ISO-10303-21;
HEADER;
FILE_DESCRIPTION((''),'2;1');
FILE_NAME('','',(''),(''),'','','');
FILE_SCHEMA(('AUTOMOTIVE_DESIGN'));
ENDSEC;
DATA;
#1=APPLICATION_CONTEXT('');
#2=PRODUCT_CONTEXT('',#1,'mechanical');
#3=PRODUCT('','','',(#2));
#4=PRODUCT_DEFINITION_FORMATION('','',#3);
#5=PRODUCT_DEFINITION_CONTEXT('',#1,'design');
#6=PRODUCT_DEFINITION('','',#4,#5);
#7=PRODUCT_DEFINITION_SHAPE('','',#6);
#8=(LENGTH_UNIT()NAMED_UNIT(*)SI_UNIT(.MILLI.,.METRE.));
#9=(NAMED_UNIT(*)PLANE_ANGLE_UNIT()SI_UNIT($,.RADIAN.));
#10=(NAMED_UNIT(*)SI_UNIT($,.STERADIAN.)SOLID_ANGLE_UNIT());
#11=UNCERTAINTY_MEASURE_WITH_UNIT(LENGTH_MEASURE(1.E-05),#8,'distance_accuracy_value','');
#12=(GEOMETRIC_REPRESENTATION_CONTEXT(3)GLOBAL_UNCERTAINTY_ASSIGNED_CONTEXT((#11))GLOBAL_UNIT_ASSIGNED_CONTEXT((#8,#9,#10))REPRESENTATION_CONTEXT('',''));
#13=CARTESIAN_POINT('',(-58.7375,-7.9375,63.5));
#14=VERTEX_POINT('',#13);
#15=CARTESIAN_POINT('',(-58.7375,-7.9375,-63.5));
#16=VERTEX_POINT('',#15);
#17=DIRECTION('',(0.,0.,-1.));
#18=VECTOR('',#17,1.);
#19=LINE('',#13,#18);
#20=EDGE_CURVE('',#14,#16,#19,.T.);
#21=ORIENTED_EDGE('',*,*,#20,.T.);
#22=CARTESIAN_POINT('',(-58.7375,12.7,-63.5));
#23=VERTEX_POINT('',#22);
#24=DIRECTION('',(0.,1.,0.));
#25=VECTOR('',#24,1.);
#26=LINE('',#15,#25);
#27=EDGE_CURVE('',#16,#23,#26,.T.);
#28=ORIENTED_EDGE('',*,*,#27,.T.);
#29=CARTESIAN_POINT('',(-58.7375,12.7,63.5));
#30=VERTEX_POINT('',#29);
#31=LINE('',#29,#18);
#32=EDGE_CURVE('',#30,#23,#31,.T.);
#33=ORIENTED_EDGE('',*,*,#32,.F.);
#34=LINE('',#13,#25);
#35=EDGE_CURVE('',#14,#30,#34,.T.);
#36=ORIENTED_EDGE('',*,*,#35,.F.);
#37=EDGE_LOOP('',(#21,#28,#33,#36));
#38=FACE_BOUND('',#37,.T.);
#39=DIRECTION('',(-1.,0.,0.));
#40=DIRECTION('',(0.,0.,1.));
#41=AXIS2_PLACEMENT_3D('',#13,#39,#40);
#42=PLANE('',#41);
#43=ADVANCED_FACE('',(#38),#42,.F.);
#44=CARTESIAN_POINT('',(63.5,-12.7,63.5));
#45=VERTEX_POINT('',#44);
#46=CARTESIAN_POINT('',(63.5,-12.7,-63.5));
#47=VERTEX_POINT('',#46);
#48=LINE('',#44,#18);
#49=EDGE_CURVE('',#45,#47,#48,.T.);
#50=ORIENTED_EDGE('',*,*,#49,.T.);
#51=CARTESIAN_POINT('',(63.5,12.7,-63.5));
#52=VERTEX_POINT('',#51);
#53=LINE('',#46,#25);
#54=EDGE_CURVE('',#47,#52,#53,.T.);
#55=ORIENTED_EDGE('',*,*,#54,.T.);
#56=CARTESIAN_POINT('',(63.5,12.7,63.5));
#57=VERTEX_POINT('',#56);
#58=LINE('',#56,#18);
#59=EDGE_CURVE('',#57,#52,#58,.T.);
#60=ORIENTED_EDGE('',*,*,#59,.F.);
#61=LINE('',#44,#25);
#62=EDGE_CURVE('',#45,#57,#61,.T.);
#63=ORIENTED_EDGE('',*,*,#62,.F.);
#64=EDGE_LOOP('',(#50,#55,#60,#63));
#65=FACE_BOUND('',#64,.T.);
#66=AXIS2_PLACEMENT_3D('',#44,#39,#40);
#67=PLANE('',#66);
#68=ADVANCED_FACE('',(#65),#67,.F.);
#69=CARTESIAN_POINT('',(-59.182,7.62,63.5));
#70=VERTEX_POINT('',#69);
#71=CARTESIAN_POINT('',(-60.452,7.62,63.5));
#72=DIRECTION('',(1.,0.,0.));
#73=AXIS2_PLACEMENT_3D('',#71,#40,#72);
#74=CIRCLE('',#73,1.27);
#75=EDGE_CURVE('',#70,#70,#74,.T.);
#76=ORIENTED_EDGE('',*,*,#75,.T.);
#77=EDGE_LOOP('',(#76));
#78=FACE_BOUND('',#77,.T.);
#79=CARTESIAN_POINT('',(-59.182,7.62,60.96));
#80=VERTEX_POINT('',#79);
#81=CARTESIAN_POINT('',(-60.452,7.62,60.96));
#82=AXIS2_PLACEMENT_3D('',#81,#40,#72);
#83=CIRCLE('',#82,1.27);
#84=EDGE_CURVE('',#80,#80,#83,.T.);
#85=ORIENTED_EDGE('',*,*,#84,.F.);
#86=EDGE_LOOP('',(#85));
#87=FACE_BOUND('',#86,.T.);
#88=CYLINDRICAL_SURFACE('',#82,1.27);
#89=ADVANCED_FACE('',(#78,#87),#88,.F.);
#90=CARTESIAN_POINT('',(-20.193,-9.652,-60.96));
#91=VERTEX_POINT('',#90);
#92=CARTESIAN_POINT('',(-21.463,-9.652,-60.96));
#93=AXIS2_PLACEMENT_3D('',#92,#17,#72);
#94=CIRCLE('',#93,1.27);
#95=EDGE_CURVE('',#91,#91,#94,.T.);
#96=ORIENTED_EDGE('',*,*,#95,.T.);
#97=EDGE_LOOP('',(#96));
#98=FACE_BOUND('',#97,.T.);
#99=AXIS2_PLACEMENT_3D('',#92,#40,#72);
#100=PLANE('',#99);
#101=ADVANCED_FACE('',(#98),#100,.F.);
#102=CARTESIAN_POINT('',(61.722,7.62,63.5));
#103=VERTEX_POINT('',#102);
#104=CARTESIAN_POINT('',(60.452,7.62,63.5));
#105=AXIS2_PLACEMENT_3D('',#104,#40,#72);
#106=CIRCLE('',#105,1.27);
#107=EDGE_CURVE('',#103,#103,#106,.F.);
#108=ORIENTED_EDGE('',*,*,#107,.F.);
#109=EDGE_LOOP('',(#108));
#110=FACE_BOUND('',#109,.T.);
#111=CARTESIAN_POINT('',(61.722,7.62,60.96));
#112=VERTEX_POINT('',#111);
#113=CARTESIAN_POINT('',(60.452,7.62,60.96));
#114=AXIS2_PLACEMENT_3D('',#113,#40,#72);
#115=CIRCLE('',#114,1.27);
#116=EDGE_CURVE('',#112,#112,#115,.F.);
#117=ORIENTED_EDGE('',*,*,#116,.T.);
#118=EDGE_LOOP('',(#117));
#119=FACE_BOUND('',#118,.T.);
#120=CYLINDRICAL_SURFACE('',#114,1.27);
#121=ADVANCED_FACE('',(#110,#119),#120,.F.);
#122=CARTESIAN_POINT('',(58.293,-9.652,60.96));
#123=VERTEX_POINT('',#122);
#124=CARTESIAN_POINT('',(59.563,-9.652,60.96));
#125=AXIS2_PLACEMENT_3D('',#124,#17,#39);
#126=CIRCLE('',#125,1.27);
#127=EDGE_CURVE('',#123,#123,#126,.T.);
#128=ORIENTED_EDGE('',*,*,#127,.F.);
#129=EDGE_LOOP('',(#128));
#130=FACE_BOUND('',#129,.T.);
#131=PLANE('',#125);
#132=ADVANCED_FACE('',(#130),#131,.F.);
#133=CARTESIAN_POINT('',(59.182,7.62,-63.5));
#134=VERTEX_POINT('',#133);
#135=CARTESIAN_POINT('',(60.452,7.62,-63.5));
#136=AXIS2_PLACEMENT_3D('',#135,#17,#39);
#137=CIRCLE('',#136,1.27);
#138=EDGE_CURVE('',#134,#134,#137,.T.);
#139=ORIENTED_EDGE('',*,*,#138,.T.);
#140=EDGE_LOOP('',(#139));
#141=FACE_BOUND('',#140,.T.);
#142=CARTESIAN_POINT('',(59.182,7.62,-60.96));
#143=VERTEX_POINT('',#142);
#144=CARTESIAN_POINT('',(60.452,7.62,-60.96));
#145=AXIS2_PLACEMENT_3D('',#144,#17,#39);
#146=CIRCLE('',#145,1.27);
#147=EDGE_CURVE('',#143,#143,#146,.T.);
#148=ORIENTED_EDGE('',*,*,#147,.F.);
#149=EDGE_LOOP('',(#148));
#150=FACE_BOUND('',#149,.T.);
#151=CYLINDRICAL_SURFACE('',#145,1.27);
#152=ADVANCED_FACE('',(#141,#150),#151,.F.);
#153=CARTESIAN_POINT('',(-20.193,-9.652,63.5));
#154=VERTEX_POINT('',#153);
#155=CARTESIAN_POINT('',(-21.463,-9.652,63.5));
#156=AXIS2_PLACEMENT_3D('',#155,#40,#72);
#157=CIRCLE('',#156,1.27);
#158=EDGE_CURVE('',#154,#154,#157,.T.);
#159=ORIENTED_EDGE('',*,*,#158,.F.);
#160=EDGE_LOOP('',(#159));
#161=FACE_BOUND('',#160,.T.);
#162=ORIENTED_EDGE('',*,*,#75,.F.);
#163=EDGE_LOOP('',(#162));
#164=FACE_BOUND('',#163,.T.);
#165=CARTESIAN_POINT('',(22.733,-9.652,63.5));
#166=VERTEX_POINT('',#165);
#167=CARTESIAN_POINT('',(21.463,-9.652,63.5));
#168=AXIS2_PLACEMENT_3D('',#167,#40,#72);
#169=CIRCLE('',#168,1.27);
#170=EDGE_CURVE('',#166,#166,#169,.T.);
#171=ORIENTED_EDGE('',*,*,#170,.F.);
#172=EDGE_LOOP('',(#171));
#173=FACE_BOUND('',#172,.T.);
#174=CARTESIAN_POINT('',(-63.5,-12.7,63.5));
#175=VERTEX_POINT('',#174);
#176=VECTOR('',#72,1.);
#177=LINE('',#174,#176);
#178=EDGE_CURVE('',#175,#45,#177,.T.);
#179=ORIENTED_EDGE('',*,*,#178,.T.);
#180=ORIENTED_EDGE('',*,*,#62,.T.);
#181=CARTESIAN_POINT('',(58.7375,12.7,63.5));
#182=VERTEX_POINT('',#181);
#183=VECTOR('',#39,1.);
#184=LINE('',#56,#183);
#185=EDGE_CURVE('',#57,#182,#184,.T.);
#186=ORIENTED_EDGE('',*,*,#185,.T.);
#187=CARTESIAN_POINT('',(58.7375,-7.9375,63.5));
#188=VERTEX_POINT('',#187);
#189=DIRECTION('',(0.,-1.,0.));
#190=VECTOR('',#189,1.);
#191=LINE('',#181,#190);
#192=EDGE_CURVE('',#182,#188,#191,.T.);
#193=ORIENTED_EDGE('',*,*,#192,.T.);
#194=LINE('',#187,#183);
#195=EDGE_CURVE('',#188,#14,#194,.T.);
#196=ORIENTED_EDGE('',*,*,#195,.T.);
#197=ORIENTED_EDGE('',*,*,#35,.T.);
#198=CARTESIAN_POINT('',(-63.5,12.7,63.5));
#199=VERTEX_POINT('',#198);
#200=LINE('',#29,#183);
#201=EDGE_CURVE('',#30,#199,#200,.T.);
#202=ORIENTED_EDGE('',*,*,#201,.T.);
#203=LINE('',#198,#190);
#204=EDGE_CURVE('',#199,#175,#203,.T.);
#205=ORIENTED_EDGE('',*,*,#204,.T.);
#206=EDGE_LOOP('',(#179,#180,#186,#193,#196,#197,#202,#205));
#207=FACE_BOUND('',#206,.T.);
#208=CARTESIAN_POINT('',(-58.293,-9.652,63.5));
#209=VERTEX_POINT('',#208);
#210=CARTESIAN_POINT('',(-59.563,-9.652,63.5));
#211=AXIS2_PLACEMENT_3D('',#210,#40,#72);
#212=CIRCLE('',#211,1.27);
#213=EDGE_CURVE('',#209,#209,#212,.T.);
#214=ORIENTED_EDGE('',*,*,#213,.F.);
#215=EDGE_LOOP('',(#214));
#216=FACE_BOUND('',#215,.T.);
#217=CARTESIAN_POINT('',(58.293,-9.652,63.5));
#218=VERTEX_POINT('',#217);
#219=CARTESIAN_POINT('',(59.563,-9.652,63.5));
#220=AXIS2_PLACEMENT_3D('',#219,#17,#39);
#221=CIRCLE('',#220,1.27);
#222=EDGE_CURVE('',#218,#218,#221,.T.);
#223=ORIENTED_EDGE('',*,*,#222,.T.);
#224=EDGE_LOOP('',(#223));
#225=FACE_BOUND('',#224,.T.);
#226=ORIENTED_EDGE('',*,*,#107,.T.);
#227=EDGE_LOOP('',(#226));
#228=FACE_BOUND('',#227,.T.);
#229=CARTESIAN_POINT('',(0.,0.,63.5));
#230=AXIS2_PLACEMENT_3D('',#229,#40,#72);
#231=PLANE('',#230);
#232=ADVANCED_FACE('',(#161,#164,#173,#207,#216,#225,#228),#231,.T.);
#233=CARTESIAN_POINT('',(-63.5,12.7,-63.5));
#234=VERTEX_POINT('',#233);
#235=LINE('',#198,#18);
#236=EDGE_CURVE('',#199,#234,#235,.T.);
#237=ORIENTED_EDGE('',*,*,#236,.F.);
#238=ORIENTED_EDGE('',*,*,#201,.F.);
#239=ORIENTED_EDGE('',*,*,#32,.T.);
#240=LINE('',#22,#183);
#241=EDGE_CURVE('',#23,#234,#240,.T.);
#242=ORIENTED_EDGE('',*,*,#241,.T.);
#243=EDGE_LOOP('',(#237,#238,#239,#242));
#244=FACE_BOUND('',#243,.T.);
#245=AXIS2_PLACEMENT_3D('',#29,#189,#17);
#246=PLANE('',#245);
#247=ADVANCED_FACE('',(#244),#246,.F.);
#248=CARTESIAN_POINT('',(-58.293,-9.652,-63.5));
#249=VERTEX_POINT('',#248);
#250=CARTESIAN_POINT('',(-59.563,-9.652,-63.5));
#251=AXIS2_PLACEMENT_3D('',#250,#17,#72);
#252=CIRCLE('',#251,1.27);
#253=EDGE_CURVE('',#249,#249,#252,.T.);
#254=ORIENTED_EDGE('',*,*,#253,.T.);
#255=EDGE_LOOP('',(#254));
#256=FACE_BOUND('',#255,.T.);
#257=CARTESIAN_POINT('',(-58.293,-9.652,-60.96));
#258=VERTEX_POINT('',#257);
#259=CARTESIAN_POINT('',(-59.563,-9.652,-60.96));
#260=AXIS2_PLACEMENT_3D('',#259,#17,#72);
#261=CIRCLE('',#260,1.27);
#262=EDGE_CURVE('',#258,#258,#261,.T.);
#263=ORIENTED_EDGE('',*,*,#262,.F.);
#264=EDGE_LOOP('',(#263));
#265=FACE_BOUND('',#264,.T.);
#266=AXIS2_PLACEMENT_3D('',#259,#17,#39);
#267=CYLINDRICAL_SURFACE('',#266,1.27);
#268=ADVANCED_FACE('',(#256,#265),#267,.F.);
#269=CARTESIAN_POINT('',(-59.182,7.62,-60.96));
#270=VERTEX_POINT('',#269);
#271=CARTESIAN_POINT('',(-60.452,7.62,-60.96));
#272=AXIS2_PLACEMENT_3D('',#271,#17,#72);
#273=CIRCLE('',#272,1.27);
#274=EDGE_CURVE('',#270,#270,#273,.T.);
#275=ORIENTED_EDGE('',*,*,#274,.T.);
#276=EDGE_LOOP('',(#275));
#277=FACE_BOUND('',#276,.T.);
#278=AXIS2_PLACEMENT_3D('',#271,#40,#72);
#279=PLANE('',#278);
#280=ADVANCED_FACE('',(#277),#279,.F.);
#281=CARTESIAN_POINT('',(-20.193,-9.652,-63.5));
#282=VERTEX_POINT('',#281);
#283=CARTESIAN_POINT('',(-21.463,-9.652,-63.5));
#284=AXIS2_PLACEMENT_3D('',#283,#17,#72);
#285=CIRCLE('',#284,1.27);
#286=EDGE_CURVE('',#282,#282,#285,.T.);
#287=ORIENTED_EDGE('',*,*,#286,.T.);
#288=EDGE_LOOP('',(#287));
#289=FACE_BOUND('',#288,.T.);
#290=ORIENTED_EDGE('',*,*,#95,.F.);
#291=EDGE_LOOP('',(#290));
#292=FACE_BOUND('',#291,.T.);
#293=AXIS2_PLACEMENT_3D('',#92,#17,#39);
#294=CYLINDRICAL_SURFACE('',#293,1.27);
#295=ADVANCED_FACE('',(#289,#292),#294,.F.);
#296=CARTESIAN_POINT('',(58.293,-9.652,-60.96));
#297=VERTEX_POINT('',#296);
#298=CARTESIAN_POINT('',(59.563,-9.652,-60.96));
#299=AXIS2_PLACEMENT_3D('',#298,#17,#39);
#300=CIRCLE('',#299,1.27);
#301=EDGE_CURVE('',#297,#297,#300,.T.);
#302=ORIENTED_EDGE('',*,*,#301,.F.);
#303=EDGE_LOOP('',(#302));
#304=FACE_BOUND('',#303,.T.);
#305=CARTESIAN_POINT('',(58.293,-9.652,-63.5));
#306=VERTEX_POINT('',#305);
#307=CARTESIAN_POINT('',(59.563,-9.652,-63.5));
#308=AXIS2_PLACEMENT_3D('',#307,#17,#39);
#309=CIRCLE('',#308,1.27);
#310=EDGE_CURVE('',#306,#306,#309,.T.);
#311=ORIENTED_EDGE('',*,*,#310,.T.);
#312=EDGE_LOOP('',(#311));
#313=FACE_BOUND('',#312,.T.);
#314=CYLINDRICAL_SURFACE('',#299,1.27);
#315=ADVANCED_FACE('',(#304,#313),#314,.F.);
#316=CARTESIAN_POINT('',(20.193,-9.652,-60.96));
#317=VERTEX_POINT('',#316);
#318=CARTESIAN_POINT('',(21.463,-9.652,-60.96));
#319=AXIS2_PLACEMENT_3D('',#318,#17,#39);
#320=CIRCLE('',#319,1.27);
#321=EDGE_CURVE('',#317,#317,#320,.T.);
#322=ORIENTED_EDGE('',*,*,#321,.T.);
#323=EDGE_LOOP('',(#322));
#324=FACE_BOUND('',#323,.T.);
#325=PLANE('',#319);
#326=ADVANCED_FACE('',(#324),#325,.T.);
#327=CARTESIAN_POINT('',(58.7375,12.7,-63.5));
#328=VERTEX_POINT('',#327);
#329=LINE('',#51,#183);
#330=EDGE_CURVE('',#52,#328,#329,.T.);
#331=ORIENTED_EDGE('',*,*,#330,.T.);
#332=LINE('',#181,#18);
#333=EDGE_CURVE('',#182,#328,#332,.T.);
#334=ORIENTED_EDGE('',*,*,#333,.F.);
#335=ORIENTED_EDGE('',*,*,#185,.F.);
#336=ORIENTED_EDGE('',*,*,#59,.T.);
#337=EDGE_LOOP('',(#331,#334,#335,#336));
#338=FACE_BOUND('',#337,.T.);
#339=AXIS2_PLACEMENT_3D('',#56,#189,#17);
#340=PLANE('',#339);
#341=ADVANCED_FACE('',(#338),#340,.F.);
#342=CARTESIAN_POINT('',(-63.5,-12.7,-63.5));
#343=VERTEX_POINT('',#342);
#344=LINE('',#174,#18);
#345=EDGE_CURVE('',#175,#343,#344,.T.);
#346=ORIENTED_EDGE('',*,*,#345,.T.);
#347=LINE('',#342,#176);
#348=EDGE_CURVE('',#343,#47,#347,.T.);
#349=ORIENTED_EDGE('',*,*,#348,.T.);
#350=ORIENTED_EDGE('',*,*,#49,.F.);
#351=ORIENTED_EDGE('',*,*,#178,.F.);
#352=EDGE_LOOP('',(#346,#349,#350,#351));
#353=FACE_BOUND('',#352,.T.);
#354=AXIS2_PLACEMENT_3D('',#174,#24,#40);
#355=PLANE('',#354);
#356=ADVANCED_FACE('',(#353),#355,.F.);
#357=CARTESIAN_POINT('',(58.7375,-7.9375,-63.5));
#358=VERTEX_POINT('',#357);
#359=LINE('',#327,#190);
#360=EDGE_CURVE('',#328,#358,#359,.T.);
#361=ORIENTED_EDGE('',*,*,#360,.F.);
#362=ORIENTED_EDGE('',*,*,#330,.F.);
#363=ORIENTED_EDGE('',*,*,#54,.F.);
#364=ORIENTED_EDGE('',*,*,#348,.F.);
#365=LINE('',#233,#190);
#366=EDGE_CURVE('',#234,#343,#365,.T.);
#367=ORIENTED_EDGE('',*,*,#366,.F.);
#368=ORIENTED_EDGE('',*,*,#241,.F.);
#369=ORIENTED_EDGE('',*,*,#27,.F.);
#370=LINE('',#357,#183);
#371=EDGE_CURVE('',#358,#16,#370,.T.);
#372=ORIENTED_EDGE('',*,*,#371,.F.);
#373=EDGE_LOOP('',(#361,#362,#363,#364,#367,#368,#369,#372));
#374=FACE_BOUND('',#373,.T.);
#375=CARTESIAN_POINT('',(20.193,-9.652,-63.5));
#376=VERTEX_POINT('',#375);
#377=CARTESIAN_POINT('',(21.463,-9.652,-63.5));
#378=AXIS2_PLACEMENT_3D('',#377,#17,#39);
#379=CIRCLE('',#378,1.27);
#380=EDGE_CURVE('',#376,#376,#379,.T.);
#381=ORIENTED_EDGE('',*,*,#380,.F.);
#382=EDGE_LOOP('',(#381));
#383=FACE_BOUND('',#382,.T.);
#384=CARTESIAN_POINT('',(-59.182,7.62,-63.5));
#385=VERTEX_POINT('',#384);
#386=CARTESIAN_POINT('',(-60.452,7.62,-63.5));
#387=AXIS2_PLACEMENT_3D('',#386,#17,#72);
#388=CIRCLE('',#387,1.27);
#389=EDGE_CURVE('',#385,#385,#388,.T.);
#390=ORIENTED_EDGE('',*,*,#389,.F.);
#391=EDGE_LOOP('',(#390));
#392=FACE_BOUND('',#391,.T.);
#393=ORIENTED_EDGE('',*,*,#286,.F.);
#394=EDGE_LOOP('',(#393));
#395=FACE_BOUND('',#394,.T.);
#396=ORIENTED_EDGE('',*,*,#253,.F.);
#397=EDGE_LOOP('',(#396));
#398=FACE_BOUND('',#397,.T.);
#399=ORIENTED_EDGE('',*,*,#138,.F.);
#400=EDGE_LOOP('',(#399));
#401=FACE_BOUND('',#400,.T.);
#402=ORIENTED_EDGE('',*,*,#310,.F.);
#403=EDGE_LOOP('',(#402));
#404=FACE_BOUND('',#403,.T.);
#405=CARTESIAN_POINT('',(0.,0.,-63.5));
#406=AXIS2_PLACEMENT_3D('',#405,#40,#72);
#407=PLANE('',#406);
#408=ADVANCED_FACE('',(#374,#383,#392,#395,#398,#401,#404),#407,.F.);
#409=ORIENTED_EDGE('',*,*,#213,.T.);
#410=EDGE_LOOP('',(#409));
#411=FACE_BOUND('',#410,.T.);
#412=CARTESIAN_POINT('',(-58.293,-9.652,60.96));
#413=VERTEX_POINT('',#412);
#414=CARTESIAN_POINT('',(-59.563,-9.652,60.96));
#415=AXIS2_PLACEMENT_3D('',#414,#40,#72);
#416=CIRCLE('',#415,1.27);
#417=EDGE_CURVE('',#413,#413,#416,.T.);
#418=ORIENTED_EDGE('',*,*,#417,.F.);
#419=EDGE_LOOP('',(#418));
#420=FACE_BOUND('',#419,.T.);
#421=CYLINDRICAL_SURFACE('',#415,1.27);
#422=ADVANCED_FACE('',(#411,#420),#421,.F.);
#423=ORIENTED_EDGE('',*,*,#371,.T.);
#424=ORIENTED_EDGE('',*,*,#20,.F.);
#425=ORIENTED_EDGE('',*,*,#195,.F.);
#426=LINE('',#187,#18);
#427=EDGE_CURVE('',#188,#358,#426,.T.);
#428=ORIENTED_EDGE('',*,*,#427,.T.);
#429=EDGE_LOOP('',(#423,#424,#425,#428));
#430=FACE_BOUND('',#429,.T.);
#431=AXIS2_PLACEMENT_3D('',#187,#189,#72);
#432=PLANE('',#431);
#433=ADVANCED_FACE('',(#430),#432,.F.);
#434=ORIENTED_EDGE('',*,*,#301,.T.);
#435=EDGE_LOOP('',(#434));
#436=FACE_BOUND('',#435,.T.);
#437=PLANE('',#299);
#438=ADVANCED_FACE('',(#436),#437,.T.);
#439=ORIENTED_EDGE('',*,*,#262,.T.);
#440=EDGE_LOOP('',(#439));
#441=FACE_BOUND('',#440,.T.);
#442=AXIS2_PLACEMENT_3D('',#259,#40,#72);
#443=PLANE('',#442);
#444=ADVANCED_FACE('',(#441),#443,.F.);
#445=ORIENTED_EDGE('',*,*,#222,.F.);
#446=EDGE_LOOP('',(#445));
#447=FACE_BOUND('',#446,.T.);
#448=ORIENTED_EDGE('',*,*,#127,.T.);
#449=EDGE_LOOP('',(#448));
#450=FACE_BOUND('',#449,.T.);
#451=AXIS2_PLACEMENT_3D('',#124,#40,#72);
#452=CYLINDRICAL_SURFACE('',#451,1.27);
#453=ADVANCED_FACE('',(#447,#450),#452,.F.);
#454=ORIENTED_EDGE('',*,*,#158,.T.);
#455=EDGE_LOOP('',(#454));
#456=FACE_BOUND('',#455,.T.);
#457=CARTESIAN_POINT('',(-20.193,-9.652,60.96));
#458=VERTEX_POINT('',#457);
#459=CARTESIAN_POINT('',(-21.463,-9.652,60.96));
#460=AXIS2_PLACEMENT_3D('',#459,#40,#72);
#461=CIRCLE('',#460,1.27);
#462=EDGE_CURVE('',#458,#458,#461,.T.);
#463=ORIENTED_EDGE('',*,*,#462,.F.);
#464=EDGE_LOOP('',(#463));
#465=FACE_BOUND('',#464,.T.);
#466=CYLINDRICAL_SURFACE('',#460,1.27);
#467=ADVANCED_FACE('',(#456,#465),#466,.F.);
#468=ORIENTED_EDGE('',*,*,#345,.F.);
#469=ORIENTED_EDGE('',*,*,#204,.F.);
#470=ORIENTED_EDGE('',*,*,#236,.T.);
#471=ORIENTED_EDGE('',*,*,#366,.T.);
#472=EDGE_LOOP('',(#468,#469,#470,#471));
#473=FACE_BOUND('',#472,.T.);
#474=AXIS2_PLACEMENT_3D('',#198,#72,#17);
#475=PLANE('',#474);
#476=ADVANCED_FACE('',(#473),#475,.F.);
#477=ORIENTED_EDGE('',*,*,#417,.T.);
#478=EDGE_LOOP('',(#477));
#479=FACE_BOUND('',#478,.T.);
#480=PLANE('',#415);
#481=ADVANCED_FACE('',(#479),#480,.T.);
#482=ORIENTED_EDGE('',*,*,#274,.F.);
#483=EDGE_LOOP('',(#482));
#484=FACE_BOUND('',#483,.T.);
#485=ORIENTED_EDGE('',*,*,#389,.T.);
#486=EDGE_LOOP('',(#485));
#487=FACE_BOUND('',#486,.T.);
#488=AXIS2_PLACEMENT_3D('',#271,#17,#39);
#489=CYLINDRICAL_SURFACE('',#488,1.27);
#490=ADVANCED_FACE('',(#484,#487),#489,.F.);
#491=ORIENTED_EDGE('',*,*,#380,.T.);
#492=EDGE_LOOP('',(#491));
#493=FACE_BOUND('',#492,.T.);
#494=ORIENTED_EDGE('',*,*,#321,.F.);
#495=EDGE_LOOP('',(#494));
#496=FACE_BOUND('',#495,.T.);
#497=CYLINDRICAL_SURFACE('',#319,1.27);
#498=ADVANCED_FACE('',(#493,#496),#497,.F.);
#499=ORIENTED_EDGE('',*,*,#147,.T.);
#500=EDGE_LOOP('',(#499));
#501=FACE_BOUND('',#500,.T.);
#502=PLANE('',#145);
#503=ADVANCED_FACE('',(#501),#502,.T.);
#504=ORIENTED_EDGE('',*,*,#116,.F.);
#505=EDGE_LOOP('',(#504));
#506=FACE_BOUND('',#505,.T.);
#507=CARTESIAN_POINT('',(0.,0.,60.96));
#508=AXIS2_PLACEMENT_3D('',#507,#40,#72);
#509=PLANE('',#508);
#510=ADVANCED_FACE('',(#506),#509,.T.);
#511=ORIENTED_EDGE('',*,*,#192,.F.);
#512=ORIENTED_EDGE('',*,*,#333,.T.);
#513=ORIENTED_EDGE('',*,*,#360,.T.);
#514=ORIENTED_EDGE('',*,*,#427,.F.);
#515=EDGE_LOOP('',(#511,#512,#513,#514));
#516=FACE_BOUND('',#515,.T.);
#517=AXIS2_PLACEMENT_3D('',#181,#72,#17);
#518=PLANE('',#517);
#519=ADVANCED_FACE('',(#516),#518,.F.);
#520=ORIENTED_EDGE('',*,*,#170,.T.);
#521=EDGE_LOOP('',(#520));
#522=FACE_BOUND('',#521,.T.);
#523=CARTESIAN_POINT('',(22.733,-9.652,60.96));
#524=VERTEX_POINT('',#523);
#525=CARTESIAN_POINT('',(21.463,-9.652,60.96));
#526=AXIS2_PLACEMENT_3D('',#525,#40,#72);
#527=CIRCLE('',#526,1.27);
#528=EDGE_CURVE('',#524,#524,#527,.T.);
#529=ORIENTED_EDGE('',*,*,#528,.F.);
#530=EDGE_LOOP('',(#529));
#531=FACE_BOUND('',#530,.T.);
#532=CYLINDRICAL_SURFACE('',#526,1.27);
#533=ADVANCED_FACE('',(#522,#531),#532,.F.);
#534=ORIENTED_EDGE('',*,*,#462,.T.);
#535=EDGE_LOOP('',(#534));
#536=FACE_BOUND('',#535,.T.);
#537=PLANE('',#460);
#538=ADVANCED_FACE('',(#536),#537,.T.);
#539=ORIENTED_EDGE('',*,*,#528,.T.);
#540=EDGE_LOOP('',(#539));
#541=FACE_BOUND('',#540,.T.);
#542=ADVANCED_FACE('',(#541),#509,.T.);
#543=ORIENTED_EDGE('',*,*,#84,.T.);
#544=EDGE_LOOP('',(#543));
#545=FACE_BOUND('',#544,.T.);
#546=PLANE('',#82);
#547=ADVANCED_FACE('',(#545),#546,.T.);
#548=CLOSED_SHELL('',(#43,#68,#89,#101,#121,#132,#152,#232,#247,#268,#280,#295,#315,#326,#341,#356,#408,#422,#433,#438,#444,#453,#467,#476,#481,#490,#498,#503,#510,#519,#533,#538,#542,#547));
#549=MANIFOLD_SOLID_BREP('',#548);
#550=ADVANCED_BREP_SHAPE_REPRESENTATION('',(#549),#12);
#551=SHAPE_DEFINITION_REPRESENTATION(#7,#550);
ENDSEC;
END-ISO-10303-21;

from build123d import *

# Parameters (mm, degrees)
BOSS_EXTRUDE2_DEPTH = 63.5
SKETCH4_R           = 1.27
CUT_EXTRUDE1_DEPTH  = 2.54
CUT_EXTRUDE2_START  = -2.54
SKETCH5_R           = 1.27
CUT_EXTRUDE2_DEPTH  = 2.54


with BuildPart() as part:
    # Sketch3 → Boss-Extrude2 (new, symmetric)
    with BuildSketch(Plane.XY):
        Polygon((-63.5, 12.7), (-63.5, -12.7), (63.5, -12.7), (63.5, 12.7), (58.7375, 12.7), (58.7375, -7.9375), (-58.7375, -7.9375), (-58.7375, 12.7), align=None)
    extrude(amount=BOSS_EXTRUDE2_DEPTH, both=True)

    # Sketch4 → Cut-Extrude1 (cut)
    with BuildSketch(Plane.XY.offset(63.5)):
        with Locations((-60.452, 7.62)):
            Circle(SKETCH4_R)
        with Locations(Location((59.563, -9.652, 0), (0, 0, 180))):
            Circle(SKETCH4_R)
        with Locations((60.452, 7.62)):
            Circle(SKETCH4_R)
        with Locations((-21.463, -9.652)):
            Circle(SKETCH4_R)
        with Locations((21.463, -9.652)):
            Circle(SKETCH4_R)
        with Locations((-59.563, -9.652)):
            Circle(SKETCH4_R)
    extrude(amount=-CUT_EXTRUDE1_DEPTH, mode=Mode.SUBTRACT)

    # Sketch5 → Cut-Extrude2 (cut)
    with BuildSketch(Plane(origin=(0, 0, -63.5), x_dir=(-1, 0, 0), z_dir=(0, 0, -1)).offset(CUT_EXTRUDE2_START)):
        with Locations((-59.563, -9.652)):
            Circle(SKETCH5_R)
        with Locations(Location((-60.452, 7.62, 0), (0, 0, 180))):
            Circle(SKETCH5_R)
        with Locations(Location((-21.463, -9.652, 0), (0, 0, 180))):
            Circle(SKETCH5_R)
        with Locations(Location((21.463, -9.652, 0), (0, 0, 180))):
            Circle(SKETCH5_R)
        with Locations(Location((60.452, 7.62, 0), (0, 0, 180))):
            Circle(SKETCH5_R)
        with Locations(Location((59.563, -9.652, 0), (0, 0, 180))):
            Circle(SKETCH5_R)
    extrude(amount=CUT_EXTRUDE2_DEPTH, mode=Mode.SUBTRACT)


solid = part.part
